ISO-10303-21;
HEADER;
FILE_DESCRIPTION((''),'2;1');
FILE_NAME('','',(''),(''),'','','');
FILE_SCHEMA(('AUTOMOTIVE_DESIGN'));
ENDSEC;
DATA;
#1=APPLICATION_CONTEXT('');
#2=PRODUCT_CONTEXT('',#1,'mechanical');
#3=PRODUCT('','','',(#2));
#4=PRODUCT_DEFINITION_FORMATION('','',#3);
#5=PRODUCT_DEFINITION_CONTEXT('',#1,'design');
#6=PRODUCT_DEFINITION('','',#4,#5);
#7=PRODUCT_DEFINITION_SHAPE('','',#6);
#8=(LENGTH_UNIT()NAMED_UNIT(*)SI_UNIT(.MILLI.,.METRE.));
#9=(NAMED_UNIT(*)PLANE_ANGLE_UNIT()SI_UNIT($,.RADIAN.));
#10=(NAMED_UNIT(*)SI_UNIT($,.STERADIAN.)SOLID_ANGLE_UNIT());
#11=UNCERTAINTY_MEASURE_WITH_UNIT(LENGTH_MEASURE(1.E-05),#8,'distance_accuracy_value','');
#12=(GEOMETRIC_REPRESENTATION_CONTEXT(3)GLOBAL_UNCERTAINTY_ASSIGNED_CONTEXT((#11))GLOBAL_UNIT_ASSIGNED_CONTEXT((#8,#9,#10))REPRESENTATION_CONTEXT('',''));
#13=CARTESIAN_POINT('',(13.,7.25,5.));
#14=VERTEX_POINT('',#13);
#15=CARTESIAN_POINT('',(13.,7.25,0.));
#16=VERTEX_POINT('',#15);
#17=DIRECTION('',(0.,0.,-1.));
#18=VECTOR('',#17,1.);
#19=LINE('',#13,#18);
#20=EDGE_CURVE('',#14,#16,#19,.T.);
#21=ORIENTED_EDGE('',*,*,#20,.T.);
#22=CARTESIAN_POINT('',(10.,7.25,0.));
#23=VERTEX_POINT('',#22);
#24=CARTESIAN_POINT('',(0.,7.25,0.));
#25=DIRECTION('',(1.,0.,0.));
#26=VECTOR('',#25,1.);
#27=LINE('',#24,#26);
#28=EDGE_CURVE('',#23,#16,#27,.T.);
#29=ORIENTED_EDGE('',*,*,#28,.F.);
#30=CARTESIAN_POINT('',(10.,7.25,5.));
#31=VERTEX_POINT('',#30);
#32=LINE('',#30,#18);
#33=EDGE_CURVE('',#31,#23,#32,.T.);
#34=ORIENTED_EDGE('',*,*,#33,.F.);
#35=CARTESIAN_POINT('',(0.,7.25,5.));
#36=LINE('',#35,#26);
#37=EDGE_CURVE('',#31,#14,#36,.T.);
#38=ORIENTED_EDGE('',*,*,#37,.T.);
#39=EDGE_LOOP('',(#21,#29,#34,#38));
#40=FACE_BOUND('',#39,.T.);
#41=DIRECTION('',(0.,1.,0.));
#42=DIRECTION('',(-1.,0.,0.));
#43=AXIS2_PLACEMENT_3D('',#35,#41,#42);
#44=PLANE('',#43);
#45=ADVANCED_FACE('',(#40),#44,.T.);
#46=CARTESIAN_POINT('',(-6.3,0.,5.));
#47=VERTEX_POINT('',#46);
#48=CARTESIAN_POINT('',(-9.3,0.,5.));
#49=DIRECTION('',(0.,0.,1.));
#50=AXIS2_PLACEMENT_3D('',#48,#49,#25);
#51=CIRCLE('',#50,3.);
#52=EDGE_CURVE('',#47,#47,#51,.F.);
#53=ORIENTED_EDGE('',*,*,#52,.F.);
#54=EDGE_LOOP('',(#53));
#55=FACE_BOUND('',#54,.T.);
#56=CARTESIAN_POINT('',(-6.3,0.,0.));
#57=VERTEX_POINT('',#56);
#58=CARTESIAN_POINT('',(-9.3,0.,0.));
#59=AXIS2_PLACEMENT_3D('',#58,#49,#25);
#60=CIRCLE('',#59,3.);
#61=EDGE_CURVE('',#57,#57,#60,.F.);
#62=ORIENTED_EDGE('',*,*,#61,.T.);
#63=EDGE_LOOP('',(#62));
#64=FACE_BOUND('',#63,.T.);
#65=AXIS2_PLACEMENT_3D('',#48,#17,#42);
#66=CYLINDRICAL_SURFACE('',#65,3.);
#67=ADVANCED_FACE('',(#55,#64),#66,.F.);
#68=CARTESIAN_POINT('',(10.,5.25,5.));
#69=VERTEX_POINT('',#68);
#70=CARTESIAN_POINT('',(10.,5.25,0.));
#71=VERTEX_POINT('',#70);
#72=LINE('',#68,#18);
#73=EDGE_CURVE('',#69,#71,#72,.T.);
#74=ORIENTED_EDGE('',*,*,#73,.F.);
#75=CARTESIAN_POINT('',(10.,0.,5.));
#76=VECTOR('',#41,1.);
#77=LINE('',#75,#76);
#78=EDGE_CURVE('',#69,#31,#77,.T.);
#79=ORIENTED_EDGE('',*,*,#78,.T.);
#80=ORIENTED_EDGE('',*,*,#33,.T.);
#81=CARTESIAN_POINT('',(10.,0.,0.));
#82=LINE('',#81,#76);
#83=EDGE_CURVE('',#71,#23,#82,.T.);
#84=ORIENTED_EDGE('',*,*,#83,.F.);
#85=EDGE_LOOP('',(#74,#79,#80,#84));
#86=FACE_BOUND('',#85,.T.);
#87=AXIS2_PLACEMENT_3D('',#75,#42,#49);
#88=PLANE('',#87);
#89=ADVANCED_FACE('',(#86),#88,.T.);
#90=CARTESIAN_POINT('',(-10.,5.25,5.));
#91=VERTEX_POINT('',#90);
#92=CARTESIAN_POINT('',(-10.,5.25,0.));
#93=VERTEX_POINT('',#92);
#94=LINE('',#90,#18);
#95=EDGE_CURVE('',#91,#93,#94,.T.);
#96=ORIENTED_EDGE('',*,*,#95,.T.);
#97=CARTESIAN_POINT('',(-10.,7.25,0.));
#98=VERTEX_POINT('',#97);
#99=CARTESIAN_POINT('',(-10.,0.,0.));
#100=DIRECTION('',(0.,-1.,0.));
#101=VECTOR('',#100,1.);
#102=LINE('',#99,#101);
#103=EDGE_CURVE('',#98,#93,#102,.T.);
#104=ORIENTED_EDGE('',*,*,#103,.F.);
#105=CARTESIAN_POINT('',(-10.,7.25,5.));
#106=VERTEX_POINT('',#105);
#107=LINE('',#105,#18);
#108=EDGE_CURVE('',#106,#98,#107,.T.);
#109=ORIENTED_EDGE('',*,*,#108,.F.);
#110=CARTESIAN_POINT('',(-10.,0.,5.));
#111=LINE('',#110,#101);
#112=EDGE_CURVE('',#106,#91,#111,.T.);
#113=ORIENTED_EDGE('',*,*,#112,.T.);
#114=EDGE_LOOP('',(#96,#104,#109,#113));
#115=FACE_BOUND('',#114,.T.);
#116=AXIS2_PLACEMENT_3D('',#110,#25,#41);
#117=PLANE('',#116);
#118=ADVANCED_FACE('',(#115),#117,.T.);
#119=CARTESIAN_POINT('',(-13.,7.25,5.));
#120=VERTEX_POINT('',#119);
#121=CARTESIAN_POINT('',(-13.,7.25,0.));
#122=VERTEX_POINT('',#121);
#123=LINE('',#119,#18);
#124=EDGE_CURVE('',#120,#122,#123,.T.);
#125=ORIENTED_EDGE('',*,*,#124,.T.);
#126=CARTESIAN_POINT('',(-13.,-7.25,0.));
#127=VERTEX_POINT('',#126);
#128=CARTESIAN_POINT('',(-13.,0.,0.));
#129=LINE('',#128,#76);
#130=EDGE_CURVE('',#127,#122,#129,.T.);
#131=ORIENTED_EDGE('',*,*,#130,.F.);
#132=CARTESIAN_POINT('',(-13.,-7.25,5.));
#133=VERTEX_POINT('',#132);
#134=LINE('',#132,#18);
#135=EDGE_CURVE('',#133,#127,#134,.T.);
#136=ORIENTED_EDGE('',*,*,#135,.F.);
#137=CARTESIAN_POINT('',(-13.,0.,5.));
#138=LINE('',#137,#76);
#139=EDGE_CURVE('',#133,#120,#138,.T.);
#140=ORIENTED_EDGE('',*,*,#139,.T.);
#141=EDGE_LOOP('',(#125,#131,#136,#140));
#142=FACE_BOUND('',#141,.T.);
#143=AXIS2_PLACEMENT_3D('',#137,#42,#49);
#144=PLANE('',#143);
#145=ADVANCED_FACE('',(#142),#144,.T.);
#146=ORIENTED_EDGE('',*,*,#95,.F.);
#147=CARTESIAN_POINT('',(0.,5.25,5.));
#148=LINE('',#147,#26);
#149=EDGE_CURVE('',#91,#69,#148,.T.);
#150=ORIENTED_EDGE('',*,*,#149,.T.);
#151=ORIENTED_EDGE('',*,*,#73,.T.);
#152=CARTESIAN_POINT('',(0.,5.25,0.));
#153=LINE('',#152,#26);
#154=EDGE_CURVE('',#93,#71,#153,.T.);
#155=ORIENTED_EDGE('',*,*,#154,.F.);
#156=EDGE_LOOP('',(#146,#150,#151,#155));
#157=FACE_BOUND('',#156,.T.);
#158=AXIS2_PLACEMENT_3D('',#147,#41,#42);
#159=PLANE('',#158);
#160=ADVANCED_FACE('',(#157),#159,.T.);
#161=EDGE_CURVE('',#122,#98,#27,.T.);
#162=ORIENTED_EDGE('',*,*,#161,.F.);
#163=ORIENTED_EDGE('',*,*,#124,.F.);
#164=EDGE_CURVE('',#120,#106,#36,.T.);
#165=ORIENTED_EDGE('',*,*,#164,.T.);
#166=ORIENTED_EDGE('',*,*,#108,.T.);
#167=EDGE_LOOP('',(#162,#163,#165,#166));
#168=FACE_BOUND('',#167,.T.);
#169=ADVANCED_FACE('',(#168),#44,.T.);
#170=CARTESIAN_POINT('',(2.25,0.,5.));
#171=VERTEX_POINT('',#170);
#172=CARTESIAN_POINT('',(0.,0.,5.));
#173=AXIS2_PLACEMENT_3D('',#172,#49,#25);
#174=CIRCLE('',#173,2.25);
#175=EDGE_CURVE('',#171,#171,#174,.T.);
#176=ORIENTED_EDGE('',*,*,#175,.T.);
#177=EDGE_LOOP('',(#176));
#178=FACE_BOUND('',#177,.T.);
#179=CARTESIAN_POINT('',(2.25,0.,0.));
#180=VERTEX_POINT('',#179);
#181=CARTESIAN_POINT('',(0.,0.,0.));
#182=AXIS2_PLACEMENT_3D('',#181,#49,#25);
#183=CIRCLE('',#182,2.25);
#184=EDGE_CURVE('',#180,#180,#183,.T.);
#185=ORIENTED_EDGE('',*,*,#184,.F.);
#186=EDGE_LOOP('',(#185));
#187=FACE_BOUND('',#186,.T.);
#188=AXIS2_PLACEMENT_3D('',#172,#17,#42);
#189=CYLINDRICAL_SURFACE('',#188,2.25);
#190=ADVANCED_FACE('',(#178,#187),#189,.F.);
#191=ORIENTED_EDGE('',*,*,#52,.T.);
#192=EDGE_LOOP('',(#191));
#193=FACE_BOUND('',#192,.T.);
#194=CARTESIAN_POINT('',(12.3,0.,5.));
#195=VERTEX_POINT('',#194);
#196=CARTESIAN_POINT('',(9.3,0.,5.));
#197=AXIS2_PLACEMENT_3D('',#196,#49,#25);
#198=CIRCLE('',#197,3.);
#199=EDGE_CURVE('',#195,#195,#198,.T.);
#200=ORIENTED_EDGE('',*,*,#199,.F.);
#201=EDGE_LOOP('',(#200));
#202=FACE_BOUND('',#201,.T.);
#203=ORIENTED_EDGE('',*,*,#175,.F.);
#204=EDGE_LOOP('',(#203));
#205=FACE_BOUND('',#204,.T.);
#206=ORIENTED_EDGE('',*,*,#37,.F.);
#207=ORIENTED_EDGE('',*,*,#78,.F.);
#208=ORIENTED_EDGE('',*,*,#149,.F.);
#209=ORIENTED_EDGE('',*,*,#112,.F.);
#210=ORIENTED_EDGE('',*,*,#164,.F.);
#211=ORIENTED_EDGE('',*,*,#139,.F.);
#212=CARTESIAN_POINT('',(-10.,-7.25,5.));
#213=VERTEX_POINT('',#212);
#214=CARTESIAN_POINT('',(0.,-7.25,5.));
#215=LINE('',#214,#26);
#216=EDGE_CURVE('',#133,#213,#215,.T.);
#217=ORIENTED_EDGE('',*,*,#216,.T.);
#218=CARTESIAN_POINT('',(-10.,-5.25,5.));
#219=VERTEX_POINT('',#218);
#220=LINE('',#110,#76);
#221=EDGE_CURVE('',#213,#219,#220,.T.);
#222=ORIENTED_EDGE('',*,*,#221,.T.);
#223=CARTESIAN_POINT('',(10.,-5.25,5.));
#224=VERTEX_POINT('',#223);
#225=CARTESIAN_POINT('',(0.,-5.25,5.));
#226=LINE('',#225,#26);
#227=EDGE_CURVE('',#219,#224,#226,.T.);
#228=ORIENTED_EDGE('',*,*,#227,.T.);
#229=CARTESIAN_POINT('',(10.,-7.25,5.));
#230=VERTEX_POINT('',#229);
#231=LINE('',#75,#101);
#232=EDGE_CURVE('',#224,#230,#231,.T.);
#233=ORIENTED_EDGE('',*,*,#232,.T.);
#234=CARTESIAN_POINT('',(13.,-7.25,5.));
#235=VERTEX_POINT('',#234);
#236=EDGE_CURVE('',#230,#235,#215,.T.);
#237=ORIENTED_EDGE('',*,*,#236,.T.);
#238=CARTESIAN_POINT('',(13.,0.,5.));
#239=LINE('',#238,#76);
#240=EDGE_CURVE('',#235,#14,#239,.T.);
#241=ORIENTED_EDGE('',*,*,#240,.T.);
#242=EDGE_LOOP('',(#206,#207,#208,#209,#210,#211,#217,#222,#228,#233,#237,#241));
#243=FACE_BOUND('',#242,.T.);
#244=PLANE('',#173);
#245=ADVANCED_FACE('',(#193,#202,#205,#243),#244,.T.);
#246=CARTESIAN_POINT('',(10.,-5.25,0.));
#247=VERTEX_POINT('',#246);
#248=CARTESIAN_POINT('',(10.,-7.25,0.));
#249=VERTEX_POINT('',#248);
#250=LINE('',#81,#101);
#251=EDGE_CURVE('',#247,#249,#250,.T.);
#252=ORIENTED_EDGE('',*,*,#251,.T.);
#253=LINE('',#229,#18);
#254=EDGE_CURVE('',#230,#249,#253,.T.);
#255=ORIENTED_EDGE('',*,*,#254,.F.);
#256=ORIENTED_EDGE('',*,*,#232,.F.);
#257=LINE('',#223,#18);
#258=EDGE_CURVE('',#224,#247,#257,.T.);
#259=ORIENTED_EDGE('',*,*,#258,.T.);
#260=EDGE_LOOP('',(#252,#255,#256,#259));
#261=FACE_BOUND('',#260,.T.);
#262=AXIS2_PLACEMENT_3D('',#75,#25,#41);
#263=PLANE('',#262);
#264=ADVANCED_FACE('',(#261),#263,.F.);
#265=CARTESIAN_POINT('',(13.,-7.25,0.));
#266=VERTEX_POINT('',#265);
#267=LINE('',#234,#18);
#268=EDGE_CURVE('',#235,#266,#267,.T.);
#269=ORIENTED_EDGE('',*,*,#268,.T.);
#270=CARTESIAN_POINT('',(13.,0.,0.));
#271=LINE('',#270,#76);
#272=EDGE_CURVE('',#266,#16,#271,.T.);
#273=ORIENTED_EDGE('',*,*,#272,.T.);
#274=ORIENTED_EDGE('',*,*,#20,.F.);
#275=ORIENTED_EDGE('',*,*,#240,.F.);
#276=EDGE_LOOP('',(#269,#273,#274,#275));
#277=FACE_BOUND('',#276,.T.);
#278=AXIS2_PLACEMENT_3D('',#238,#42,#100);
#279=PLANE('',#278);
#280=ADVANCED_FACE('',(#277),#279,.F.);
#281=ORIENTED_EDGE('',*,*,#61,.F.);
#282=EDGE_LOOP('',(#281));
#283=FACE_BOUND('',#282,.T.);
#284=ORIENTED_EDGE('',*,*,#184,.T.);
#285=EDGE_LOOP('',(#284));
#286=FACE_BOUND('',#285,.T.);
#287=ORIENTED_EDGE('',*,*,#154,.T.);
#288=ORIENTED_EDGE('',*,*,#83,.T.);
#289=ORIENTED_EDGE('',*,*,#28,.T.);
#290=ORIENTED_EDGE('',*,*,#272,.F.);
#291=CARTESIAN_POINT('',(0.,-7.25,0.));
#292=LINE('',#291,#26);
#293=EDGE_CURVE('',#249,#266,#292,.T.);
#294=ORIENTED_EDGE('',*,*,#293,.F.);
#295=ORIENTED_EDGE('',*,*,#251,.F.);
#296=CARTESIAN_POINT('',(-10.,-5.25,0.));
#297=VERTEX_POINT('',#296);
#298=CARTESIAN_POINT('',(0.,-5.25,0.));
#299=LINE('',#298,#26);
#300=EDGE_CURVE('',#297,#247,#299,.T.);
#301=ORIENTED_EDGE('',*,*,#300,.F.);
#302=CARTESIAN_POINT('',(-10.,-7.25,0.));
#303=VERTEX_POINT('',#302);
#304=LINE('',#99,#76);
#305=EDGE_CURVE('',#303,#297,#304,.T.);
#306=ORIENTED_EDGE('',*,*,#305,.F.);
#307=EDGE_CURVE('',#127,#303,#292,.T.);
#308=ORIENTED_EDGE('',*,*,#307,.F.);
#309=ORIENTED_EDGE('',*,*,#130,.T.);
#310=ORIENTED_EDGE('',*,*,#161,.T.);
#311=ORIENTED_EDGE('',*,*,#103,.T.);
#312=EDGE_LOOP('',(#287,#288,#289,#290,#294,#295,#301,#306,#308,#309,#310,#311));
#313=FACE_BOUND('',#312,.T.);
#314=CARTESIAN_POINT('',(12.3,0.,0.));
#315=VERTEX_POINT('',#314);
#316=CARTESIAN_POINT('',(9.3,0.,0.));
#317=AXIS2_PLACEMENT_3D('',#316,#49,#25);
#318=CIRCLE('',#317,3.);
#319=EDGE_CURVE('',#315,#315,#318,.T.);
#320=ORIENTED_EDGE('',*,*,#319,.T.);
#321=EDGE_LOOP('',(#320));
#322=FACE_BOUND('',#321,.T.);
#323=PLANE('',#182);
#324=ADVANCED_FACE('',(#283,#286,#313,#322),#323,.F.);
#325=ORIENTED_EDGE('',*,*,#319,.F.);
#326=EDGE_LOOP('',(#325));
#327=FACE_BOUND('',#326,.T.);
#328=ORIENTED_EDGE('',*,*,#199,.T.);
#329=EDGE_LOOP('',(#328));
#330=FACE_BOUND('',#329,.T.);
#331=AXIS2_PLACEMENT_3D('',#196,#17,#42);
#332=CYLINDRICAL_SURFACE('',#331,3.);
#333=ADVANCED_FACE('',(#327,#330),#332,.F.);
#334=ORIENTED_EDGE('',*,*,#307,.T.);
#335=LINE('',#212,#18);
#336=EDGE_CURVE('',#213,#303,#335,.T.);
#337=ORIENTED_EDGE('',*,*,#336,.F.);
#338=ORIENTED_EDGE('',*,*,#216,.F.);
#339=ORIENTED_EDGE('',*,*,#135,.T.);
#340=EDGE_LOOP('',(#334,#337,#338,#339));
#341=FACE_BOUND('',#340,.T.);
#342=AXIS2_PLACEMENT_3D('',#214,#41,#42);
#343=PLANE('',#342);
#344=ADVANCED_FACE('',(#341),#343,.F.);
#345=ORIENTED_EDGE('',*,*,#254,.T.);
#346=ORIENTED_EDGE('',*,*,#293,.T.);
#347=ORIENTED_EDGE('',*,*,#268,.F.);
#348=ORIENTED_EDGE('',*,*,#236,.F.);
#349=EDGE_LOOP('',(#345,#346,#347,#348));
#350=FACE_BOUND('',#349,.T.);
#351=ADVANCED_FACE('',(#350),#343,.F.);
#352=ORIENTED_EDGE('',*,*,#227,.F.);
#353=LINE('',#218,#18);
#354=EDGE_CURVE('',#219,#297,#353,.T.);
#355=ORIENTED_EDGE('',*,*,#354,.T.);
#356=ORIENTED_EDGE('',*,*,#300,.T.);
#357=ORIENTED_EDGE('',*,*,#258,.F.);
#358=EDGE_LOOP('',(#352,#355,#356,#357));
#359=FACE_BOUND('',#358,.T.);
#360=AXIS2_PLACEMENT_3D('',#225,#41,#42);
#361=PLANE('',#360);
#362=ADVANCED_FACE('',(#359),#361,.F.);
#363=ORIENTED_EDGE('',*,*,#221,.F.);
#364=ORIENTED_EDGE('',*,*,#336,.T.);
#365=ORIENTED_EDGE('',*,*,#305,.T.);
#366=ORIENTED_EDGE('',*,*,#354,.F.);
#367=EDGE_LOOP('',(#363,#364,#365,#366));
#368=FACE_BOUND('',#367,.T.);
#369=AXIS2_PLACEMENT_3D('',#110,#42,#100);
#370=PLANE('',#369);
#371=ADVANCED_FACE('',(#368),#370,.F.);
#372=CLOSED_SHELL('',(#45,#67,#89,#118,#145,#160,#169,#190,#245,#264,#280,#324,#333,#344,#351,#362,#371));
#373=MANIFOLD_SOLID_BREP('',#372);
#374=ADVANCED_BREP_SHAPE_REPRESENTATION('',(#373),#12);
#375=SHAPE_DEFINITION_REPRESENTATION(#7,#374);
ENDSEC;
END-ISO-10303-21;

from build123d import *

# Parameters (mm, degrees)
SKETCH1_R           = 3
SKETCH1_R_2         = 2.25
BOSS_EXTRUDE1_DEPTH = 5


with BuildPart() as part:
    # Sketch1 → Boss-Extrude1 (new body)
    with BuildSketch(Plane.XY):
        Polygon((-13, 7.25), (-13, -7.25), (-10, -7.25), (-10, -5.25), (10, -5.25), (10, -7.25), (13, -7.25), (13, 7.25), (10, 7.25), (10, 5.25), (-10, 5.25), (-10, 7.25), align=None)
        with Locations((-9.3, 0)):
            Circle(SKETCH1_R, mode=Mode.SUBTRACT)
        Circle(SKETCH1_R_2, mode=Mode.SUBTRACT)
        with Locations((9.3, 0)):
            Circle(SKETCH1_R, mode=Mode.SUBTRACT)
    extrude(amount=BOSS_EXTRUDE1_DEPTH)


solid = part.part
